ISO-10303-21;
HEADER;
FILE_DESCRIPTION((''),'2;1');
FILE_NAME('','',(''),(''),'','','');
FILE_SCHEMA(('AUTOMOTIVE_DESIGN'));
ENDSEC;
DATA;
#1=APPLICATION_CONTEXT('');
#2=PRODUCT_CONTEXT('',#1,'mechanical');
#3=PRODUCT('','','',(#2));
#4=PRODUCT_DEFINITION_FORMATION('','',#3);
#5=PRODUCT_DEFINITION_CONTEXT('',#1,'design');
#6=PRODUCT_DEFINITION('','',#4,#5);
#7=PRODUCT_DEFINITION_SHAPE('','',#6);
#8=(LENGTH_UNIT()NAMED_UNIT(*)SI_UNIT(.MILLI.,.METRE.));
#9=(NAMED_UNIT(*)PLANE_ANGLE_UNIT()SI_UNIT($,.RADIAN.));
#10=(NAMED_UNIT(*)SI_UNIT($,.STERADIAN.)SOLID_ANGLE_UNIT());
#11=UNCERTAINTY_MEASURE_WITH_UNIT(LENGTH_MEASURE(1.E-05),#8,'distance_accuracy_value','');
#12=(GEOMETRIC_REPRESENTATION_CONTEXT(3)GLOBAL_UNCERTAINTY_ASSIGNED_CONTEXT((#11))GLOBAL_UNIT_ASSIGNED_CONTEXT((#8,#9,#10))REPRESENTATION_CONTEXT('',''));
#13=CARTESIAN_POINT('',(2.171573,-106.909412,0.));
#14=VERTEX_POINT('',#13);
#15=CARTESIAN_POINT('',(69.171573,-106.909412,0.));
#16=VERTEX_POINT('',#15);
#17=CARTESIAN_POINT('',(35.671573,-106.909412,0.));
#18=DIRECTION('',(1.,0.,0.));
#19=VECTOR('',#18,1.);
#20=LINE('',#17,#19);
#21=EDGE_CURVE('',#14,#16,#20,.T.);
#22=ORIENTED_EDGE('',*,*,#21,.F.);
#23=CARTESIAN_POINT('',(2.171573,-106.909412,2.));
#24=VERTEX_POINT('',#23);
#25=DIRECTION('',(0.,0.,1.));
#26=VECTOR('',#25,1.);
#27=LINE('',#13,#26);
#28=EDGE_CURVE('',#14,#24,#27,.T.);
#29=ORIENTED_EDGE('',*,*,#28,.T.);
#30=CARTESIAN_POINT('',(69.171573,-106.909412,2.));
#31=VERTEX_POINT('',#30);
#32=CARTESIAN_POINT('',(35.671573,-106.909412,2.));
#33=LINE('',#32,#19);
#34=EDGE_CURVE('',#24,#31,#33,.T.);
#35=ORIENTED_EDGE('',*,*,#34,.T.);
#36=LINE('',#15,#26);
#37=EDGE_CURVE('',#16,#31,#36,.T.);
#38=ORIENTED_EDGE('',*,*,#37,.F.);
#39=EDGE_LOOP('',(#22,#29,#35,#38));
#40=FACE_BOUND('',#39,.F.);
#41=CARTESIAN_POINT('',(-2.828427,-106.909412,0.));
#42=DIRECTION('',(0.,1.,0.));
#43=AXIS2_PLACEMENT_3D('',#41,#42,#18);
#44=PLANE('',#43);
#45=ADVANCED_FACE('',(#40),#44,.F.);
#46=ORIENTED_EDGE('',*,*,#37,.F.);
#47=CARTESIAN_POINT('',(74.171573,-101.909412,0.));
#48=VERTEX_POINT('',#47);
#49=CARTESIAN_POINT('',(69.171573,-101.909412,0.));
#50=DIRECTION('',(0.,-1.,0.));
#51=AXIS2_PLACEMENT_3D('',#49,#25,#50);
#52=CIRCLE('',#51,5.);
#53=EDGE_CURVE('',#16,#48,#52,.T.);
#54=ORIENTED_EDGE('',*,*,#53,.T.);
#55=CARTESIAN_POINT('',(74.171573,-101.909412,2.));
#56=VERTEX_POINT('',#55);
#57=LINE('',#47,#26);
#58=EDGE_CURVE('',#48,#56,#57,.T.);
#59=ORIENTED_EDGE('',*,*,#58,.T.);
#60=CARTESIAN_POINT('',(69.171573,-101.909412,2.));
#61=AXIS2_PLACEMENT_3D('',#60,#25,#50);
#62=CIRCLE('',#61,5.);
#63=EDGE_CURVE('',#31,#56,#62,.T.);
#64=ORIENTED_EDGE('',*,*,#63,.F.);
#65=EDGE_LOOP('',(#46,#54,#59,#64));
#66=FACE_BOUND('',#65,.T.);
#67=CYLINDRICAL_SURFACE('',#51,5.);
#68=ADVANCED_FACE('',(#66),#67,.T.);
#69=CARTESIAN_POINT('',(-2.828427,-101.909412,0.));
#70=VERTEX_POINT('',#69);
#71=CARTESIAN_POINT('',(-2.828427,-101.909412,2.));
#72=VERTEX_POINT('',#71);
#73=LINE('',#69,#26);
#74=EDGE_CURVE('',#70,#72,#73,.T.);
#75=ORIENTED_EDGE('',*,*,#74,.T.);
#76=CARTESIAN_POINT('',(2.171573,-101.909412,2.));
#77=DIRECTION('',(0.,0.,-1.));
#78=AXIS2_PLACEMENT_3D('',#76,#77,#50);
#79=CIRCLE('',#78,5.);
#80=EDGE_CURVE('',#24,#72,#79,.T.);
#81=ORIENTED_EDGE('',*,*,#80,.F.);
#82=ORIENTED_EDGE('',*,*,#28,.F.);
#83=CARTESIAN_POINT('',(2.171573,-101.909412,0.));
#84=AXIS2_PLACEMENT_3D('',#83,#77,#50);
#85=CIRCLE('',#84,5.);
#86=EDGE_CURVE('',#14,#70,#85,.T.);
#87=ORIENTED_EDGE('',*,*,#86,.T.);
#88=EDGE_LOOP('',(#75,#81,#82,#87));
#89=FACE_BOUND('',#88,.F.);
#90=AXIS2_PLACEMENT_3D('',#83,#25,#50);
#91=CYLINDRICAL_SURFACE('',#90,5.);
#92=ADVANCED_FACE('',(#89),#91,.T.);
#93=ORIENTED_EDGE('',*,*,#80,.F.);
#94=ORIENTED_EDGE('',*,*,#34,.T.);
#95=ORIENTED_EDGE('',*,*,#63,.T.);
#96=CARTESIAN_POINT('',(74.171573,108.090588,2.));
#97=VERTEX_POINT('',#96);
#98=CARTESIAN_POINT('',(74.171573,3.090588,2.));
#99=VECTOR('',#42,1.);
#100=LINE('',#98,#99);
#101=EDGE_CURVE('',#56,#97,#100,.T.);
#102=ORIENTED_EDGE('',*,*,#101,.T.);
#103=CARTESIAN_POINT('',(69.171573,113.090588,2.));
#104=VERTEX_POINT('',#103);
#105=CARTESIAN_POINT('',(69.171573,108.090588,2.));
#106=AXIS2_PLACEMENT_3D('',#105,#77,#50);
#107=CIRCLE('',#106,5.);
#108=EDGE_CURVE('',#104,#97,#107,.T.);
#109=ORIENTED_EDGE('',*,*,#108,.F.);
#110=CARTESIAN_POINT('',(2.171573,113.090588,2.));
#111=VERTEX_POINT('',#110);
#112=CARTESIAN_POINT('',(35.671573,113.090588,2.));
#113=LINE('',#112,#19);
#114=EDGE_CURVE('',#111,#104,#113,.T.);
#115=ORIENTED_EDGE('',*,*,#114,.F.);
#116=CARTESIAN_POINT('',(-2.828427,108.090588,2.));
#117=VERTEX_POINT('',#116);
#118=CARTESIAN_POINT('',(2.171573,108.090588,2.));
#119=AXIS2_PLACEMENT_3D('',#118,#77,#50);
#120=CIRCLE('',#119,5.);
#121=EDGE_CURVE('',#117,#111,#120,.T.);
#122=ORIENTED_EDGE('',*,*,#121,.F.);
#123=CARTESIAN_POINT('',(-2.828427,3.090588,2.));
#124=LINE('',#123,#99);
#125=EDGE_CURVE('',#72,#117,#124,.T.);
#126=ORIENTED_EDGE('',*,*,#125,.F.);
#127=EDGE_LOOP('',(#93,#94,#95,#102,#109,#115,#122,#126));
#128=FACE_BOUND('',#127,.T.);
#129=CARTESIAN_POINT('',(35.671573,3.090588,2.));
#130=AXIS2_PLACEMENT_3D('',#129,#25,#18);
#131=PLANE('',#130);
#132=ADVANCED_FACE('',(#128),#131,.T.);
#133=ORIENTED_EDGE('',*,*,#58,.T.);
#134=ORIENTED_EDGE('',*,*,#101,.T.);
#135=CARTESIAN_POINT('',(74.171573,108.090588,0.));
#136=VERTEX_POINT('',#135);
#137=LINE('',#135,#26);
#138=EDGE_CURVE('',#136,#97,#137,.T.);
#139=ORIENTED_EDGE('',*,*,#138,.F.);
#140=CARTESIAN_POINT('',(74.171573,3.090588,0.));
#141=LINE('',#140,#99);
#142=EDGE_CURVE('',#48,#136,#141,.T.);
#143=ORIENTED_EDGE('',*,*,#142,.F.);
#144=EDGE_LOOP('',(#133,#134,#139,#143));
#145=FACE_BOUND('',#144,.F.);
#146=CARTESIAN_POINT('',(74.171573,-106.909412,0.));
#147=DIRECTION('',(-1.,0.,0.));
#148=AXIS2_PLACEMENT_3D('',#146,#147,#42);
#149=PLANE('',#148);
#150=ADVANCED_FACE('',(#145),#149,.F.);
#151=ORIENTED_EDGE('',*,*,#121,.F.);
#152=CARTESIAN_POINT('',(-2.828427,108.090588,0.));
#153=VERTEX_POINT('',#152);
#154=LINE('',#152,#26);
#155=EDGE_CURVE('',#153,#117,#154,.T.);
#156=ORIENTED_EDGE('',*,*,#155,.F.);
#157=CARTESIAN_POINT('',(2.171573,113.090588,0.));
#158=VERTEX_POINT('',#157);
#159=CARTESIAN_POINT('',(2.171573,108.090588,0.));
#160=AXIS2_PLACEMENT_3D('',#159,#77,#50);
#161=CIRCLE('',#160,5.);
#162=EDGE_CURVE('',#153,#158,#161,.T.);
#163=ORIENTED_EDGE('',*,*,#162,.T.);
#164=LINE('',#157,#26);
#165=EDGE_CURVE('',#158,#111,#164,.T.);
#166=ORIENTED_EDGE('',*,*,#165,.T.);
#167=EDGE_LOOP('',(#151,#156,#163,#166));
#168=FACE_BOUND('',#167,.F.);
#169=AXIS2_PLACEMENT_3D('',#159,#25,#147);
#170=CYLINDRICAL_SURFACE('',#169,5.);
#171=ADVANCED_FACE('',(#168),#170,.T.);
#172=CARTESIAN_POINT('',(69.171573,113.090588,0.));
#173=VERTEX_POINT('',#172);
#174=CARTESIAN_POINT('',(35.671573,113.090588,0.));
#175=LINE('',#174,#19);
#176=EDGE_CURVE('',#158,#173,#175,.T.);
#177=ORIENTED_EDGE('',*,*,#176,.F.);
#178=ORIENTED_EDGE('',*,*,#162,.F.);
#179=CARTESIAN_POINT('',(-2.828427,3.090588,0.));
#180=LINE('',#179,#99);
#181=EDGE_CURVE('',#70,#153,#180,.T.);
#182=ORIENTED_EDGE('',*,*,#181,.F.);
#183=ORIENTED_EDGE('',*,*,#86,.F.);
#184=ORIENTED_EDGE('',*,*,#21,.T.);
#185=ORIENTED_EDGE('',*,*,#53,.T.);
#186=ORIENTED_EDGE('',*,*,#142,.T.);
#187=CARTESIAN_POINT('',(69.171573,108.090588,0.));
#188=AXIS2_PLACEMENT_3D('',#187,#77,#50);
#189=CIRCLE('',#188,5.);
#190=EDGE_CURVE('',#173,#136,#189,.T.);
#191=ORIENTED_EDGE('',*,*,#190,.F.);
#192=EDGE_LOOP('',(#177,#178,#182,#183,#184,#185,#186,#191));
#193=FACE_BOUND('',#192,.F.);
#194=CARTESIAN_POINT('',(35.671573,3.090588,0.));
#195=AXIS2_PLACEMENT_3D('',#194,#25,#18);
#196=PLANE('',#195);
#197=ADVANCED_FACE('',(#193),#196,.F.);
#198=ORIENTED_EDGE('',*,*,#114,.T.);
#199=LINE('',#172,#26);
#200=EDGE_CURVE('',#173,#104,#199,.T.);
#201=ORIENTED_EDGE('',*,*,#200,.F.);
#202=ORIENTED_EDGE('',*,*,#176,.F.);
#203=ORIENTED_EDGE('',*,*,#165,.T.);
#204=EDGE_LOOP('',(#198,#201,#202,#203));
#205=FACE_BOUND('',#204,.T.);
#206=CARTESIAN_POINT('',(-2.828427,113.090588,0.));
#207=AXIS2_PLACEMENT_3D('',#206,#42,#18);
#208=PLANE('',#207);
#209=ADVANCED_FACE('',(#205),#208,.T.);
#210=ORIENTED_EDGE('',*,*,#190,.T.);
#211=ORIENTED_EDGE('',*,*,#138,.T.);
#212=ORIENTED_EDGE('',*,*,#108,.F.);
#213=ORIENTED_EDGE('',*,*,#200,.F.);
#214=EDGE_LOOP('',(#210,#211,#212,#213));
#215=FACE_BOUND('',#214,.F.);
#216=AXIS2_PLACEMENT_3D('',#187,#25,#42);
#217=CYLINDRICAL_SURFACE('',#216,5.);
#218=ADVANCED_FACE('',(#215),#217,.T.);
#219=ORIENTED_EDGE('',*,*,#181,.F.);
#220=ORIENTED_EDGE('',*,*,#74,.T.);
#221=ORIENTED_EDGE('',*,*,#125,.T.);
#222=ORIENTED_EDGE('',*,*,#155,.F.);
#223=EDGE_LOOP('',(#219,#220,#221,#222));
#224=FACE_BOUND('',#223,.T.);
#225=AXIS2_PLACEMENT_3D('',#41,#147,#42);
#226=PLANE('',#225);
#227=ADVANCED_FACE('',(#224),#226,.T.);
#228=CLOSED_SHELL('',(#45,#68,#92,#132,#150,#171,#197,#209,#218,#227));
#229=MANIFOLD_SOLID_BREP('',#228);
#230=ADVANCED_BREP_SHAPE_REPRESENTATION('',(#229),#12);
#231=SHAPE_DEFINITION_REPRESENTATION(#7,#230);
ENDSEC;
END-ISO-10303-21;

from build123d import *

# Parameters (mm, degrees)
SKETCH_W    = 77
SKETCH_H    = 220
PAD_DEPTH   = 2
FILLET_R    = 5
FILLET001_R = 5
FILLET002_R = 5
FILLET003_R = 5


with BuildPart() as part:
    # Sketch → Pad (new body)
    with BuildSketch(Plane.XY):
        with Locations((35.671573, 3.090588)):
            Rectangle(SKETCH_W, SKETCH_H)
    extrude(amount=PAD_DEPTH)

    # Fillet
    fillet_edges = [part.edges().sort_by_distance(p)[0] for p in [
        (74.171573, -106.909412, 1),
    ]]
    fillet(fillet_edges, radius=FILLET_R)

    # Fillet001
    fillet001_edges = [part.edges().sort_by_distance(p)[0] for p in [
        (-2.828427, -106.909412, 1),
    ]]
    fillet(fillet001_edges, radius=FILLET001_R)

    # Fillet002
    fillet002_edges = [part.edges().sort_by_distance(p)[0] for p in [
        (-2.828427, 113.090588, 1),
    ]]
    fillet(fillet002_edges, radius=FILLET002_R)

    # Fillet003
    fillet003_edges = [part.edges().sort_by_distance(p)[0] for p in [
        (74.171573, 113.090588, 1),
    ]]
    fillet(fillet003_edges, radius=FILLET003_R)


solid = part.part
